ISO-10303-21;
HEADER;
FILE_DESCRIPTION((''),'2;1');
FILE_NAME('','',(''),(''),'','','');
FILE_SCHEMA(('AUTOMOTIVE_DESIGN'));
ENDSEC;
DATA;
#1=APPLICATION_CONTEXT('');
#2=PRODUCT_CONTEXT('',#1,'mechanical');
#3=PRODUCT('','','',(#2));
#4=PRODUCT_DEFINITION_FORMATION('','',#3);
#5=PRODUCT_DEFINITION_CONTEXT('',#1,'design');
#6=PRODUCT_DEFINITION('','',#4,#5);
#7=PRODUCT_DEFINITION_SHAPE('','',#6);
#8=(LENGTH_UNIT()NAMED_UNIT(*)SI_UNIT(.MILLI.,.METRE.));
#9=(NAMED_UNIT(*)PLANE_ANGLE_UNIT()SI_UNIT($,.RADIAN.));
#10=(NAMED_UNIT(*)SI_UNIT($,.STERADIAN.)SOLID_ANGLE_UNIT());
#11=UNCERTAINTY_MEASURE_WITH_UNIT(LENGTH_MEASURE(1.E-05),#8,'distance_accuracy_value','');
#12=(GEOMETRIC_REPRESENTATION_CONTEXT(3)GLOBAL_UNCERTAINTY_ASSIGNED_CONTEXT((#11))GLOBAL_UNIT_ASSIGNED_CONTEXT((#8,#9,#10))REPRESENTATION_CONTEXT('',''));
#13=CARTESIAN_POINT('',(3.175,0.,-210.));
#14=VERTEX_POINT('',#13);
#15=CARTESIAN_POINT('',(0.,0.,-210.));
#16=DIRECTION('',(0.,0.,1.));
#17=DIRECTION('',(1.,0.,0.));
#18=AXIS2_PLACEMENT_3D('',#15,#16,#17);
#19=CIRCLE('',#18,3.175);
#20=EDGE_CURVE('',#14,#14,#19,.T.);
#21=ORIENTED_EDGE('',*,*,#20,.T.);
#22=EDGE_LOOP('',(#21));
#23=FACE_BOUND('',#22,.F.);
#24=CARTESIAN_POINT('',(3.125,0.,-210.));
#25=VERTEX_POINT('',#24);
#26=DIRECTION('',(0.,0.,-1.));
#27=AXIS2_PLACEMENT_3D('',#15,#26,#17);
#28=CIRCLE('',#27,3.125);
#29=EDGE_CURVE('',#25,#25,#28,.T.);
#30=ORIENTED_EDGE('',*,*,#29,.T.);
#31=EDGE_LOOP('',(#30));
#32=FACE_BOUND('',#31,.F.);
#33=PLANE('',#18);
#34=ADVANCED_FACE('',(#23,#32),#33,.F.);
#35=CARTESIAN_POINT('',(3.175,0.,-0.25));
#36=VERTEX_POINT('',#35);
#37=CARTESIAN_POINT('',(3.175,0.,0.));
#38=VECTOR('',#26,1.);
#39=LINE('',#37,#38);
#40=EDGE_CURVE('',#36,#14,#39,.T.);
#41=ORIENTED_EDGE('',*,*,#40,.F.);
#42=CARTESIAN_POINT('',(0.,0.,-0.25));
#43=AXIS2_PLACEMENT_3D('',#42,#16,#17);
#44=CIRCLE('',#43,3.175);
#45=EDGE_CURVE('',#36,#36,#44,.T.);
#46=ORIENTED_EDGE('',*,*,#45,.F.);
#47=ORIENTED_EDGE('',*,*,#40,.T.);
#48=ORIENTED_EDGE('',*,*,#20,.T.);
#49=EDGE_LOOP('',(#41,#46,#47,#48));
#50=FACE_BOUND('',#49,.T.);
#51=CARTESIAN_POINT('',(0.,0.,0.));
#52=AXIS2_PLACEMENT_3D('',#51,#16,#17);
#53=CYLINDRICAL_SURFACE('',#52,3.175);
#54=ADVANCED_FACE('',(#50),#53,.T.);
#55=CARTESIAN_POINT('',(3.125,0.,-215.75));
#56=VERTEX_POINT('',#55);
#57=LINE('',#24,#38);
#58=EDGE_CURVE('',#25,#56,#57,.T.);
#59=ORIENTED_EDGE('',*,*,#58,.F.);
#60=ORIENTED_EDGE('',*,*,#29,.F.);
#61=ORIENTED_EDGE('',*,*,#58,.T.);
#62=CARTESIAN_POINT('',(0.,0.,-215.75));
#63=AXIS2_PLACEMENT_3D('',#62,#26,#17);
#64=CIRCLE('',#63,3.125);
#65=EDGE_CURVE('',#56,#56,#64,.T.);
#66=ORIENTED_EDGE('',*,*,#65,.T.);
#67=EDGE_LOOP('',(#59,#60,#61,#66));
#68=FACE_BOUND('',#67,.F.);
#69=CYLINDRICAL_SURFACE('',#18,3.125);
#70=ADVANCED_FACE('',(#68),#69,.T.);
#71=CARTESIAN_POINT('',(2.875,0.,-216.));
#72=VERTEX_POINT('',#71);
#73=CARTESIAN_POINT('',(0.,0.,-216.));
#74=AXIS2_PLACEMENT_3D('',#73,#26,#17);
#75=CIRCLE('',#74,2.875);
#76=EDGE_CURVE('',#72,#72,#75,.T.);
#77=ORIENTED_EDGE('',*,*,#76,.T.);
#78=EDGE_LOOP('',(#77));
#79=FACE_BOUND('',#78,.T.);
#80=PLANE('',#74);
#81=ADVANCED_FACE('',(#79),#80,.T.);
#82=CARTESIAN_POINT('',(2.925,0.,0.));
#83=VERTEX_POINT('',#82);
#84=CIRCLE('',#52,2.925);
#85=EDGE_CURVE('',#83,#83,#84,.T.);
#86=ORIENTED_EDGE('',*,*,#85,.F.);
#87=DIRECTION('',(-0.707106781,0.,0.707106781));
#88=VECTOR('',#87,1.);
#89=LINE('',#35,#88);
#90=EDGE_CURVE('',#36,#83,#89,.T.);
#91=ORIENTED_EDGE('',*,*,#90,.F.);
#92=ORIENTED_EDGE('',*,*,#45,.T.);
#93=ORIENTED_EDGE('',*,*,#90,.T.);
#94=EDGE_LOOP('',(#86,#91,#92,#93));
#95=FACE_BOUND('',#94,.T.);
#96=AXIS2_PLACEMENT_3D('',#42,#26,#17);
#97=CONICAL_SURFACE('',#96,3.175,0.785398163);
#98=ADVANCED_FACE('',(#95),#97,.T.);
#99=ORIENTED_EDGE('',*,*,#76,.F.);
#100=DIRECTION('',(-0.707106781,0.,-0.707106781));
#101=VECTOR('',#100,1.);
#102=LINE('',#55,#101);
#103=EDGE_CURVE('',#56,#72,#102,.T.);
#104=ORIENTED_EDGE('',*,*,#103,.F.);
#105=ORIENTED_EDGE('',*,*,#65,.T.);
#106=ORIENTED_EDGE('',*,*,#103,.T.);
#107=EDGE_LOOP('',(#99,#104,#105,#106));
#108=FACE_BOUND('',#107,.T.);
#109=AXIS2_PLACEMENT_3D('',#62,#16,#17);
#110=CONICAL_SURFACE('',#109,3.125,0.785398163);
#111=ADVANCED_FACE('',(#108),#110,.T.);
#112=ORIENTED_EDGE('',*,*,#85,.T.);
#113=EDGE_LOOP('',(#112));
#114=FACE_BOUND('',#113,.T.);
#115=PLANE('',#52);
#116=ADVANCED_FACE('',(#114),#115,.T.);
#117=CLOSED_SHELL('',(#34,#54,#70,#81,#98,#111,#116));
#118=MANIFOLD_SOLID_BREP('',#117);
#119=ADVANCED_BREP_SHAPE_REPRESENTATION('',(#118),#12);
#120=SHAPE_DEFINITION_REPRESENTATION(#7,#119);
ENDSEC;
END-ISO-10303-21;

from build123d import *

# Parameters (mm, degrees)
F0_R     = 3.175
F1_DEPTH = 210
F2_R     = 3.125
F3_DEPTH = 6
F4_SIZE  = 0.25
F5_SIZE  = 0.25


with BuildPart() as f1:
    # F0 (on Top) → F1 (new body)
    with BuildSketch(Plane.XY):
        Circle(F0_R)
    extrude(amount=-F1_DEPTH)

    # F2 (on face) → F3 (join)
    with BuildSketch(Plane(origin=(0, 0, -210), x_dir=(1, 0, 0), z_dir=(0, 0, -1))):
        Circle(F2_R)
    extrude(amount=F3_DEPTH)

    # F4
    f4_edges = [f1.edges().sort_by_distance(p)[0] for p in [
        (-3.125, 0, -216),
    ]]
    chamfer(f4_edges, length=F4_SIZE)

    # F5
    f5_edges = [f1.edges().sort_by_distance(p)[0] for p in [
        (-3.175, 0, 0),
    ]]
    chamfer(f5_edges, length=F5_SIZE)


solid = f1.part
